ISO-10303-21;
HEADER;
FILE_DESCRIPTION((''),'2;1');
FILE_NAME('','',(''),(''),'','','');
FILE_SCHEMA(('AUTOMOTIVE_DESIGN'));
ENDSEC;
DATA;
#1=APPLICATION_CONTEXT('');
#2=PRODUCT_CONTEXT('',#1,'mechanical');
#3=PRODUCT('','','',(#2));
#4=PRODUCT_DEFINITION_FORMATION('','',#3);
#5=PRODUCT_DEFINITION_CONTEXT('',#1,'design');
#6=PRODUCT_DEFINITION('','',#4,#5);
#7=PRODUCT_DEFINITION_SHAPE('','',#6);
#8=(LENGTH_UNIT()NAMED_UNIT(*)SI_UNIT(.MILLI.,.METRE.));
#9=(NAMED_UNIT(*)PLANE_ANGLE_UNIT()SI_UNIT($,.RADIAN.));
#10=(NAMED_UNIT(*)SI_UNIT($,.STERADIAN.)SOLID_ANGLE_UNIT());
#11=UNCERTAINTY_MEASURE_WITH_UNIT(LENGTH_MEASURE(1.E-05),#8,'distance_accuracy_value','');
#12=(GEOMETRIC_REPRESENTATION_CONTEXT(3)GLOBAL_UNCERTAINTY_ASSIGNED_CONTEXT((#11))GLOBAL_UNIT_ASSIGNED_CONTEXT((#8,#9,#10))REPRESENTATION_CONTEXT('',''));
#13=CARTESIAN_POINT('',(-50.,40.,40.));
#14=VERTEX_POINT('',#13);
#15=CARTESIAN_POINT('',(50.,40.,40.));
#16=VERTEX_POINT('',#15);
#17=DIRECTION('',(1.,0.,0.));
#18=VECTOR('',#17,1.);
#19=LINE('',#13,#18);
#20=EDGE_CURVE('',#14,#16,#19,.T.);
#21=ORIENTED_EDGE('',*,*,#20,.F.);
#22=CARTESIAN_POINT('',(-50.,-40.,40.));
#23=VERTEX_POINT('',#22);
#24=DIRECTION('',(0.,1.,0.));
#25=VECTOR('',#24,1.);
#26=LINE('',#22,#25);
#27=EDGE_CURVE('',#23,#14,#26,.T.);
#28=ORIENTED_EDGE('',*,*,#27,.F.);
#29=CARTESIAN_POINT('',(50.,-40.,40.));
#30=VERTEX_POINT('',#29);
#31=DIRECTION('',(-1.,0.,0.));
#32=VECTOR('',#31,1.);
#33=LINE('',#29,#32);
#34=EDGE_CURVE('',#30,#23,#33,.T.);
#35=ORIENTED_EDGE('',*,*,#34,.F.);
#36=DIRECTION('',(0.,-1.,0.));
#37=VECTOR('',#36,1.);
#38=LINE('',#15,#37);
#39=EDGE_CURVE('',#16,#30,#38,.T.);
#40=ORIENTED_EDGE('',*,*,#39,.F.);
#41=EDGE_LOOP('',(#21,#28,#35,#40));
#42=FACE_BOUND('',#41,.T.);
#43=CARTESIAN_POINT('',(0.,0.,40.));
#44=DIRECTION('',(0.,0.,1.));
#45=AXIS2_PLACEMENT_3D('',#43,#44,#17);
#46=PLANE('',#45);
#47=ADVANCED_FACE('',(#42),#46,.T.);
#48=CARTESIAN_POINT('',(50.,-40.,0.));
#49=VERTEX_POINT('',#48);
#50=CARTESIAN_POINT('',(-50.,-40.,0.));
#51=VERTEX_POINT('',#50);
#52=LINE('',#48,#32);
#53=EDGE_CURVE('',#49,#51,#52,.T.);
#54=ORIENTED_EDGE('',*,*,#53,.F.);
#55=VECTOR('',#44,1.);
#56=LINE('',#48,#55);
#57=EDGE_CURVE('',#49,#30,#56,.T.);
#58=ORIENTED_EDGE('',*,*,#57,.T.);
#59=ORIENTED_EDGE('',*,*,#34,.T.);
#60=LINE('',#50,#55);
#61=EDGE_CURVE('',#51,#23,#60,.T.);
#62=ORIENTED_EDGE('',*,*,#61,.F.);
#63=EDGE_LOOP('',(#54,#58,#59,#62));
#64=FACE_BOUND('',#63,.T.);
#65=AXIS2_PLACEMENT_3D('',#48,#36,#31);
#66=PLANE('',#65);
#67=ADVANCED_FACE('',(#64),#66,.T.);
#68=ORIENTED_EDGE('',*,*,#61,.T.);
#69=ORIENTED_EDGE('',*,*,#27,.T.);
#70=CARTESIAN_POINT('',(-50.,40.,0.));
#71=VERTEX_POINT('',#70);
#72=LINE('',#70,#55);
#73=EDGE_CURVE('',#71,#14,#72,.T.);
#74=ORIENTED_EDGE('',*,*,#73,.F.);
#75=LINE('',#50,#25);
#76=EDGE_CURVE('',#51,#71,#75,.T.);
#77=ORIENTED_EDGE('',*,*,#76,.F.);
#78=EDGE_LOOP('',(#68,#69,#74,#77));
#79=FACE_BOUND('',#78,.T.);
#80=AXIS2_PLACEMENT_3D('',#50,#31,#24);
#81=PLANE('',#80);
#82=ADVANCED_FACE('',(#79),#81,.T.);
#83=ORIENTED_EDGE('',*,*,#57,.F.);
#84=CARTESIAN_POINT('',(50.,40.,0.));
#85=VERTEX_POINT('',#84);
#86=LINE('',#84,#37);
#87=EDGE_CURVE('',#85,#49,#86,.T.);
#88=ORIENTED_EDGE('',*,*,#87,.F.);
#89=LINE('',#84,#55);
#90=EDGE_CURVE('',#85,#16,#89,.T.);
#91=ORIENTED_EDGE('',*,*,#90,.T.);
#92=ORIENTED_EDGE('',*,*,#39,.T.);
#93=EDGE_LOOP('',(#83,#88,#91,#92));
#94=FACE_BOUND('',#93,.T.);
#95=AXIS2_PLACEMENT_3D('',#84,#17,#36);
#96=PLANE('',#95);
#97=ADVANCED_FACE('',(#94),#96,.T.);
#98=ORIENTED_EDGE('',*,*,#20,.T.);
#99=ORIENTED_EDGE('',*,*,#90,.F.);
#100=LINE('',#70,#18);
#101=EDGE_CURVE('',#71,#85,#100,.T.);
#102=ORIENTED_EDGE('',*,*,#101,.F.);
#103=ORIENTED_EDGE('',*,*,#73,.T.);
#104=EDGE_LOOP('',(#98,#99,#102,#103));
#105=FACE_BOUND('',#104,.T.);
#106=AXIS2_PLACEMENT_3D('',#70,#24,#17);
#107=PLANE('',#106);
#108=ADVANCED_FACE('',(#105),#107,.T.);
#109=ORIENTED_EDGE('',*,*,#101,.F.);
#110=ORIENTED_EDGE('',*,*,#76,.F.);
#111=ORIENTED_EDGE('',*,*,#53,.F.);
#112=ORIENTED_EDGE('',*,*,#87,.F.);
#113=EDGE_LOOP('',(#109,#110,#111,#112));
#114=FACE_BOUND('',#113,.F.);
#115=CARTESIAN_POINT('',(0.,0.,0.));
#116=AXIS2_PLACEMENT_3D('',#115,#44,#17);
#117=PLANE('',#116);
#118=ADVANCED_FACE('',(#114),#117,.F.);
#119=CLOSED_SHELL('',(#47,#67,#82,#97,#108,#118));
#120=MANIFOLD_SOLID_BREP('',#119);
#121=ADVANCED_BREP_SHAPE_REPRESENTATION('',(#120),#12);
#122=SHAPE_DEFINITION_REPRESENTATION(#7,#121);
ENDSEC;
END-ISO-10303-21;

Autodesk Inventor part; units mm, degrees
ref_plane "YZ Plane" through (0, 0, 0) normal (1, 0, 0) x (0, 1, 0)
ref_plane "XZ Plane" through (0, 0, 0) normal (0, 1, 0) x (-1, 0, 0)
ref_plane "XY Plane" through (0, 0, 0) normal (0, 0, 1) x (1, 0, 0)
sketch "スケッチ1" plane through (0, 0, 0) normal (0, 0, 1) x (1, 0, 0)
  line L0 (-50, 40) -> (50, 40)
  line L1 (50, 40) -> (50, -40)
  line L2 (50, -40) -> (-50, -40)
  line L3 (-50, -40) -> (-50, 40)
  line L4 (-50, 40) -> (50, -40) construction
  line L5 (50, 40) -> (-50, -40) construction
  point P0 (0, 0)
  dimension "d0" = 100
  dimension "d1" = 80
extrude "押し出し1" add sketch "スケッチ1" along normal blind 40
properties part number "Main board"
